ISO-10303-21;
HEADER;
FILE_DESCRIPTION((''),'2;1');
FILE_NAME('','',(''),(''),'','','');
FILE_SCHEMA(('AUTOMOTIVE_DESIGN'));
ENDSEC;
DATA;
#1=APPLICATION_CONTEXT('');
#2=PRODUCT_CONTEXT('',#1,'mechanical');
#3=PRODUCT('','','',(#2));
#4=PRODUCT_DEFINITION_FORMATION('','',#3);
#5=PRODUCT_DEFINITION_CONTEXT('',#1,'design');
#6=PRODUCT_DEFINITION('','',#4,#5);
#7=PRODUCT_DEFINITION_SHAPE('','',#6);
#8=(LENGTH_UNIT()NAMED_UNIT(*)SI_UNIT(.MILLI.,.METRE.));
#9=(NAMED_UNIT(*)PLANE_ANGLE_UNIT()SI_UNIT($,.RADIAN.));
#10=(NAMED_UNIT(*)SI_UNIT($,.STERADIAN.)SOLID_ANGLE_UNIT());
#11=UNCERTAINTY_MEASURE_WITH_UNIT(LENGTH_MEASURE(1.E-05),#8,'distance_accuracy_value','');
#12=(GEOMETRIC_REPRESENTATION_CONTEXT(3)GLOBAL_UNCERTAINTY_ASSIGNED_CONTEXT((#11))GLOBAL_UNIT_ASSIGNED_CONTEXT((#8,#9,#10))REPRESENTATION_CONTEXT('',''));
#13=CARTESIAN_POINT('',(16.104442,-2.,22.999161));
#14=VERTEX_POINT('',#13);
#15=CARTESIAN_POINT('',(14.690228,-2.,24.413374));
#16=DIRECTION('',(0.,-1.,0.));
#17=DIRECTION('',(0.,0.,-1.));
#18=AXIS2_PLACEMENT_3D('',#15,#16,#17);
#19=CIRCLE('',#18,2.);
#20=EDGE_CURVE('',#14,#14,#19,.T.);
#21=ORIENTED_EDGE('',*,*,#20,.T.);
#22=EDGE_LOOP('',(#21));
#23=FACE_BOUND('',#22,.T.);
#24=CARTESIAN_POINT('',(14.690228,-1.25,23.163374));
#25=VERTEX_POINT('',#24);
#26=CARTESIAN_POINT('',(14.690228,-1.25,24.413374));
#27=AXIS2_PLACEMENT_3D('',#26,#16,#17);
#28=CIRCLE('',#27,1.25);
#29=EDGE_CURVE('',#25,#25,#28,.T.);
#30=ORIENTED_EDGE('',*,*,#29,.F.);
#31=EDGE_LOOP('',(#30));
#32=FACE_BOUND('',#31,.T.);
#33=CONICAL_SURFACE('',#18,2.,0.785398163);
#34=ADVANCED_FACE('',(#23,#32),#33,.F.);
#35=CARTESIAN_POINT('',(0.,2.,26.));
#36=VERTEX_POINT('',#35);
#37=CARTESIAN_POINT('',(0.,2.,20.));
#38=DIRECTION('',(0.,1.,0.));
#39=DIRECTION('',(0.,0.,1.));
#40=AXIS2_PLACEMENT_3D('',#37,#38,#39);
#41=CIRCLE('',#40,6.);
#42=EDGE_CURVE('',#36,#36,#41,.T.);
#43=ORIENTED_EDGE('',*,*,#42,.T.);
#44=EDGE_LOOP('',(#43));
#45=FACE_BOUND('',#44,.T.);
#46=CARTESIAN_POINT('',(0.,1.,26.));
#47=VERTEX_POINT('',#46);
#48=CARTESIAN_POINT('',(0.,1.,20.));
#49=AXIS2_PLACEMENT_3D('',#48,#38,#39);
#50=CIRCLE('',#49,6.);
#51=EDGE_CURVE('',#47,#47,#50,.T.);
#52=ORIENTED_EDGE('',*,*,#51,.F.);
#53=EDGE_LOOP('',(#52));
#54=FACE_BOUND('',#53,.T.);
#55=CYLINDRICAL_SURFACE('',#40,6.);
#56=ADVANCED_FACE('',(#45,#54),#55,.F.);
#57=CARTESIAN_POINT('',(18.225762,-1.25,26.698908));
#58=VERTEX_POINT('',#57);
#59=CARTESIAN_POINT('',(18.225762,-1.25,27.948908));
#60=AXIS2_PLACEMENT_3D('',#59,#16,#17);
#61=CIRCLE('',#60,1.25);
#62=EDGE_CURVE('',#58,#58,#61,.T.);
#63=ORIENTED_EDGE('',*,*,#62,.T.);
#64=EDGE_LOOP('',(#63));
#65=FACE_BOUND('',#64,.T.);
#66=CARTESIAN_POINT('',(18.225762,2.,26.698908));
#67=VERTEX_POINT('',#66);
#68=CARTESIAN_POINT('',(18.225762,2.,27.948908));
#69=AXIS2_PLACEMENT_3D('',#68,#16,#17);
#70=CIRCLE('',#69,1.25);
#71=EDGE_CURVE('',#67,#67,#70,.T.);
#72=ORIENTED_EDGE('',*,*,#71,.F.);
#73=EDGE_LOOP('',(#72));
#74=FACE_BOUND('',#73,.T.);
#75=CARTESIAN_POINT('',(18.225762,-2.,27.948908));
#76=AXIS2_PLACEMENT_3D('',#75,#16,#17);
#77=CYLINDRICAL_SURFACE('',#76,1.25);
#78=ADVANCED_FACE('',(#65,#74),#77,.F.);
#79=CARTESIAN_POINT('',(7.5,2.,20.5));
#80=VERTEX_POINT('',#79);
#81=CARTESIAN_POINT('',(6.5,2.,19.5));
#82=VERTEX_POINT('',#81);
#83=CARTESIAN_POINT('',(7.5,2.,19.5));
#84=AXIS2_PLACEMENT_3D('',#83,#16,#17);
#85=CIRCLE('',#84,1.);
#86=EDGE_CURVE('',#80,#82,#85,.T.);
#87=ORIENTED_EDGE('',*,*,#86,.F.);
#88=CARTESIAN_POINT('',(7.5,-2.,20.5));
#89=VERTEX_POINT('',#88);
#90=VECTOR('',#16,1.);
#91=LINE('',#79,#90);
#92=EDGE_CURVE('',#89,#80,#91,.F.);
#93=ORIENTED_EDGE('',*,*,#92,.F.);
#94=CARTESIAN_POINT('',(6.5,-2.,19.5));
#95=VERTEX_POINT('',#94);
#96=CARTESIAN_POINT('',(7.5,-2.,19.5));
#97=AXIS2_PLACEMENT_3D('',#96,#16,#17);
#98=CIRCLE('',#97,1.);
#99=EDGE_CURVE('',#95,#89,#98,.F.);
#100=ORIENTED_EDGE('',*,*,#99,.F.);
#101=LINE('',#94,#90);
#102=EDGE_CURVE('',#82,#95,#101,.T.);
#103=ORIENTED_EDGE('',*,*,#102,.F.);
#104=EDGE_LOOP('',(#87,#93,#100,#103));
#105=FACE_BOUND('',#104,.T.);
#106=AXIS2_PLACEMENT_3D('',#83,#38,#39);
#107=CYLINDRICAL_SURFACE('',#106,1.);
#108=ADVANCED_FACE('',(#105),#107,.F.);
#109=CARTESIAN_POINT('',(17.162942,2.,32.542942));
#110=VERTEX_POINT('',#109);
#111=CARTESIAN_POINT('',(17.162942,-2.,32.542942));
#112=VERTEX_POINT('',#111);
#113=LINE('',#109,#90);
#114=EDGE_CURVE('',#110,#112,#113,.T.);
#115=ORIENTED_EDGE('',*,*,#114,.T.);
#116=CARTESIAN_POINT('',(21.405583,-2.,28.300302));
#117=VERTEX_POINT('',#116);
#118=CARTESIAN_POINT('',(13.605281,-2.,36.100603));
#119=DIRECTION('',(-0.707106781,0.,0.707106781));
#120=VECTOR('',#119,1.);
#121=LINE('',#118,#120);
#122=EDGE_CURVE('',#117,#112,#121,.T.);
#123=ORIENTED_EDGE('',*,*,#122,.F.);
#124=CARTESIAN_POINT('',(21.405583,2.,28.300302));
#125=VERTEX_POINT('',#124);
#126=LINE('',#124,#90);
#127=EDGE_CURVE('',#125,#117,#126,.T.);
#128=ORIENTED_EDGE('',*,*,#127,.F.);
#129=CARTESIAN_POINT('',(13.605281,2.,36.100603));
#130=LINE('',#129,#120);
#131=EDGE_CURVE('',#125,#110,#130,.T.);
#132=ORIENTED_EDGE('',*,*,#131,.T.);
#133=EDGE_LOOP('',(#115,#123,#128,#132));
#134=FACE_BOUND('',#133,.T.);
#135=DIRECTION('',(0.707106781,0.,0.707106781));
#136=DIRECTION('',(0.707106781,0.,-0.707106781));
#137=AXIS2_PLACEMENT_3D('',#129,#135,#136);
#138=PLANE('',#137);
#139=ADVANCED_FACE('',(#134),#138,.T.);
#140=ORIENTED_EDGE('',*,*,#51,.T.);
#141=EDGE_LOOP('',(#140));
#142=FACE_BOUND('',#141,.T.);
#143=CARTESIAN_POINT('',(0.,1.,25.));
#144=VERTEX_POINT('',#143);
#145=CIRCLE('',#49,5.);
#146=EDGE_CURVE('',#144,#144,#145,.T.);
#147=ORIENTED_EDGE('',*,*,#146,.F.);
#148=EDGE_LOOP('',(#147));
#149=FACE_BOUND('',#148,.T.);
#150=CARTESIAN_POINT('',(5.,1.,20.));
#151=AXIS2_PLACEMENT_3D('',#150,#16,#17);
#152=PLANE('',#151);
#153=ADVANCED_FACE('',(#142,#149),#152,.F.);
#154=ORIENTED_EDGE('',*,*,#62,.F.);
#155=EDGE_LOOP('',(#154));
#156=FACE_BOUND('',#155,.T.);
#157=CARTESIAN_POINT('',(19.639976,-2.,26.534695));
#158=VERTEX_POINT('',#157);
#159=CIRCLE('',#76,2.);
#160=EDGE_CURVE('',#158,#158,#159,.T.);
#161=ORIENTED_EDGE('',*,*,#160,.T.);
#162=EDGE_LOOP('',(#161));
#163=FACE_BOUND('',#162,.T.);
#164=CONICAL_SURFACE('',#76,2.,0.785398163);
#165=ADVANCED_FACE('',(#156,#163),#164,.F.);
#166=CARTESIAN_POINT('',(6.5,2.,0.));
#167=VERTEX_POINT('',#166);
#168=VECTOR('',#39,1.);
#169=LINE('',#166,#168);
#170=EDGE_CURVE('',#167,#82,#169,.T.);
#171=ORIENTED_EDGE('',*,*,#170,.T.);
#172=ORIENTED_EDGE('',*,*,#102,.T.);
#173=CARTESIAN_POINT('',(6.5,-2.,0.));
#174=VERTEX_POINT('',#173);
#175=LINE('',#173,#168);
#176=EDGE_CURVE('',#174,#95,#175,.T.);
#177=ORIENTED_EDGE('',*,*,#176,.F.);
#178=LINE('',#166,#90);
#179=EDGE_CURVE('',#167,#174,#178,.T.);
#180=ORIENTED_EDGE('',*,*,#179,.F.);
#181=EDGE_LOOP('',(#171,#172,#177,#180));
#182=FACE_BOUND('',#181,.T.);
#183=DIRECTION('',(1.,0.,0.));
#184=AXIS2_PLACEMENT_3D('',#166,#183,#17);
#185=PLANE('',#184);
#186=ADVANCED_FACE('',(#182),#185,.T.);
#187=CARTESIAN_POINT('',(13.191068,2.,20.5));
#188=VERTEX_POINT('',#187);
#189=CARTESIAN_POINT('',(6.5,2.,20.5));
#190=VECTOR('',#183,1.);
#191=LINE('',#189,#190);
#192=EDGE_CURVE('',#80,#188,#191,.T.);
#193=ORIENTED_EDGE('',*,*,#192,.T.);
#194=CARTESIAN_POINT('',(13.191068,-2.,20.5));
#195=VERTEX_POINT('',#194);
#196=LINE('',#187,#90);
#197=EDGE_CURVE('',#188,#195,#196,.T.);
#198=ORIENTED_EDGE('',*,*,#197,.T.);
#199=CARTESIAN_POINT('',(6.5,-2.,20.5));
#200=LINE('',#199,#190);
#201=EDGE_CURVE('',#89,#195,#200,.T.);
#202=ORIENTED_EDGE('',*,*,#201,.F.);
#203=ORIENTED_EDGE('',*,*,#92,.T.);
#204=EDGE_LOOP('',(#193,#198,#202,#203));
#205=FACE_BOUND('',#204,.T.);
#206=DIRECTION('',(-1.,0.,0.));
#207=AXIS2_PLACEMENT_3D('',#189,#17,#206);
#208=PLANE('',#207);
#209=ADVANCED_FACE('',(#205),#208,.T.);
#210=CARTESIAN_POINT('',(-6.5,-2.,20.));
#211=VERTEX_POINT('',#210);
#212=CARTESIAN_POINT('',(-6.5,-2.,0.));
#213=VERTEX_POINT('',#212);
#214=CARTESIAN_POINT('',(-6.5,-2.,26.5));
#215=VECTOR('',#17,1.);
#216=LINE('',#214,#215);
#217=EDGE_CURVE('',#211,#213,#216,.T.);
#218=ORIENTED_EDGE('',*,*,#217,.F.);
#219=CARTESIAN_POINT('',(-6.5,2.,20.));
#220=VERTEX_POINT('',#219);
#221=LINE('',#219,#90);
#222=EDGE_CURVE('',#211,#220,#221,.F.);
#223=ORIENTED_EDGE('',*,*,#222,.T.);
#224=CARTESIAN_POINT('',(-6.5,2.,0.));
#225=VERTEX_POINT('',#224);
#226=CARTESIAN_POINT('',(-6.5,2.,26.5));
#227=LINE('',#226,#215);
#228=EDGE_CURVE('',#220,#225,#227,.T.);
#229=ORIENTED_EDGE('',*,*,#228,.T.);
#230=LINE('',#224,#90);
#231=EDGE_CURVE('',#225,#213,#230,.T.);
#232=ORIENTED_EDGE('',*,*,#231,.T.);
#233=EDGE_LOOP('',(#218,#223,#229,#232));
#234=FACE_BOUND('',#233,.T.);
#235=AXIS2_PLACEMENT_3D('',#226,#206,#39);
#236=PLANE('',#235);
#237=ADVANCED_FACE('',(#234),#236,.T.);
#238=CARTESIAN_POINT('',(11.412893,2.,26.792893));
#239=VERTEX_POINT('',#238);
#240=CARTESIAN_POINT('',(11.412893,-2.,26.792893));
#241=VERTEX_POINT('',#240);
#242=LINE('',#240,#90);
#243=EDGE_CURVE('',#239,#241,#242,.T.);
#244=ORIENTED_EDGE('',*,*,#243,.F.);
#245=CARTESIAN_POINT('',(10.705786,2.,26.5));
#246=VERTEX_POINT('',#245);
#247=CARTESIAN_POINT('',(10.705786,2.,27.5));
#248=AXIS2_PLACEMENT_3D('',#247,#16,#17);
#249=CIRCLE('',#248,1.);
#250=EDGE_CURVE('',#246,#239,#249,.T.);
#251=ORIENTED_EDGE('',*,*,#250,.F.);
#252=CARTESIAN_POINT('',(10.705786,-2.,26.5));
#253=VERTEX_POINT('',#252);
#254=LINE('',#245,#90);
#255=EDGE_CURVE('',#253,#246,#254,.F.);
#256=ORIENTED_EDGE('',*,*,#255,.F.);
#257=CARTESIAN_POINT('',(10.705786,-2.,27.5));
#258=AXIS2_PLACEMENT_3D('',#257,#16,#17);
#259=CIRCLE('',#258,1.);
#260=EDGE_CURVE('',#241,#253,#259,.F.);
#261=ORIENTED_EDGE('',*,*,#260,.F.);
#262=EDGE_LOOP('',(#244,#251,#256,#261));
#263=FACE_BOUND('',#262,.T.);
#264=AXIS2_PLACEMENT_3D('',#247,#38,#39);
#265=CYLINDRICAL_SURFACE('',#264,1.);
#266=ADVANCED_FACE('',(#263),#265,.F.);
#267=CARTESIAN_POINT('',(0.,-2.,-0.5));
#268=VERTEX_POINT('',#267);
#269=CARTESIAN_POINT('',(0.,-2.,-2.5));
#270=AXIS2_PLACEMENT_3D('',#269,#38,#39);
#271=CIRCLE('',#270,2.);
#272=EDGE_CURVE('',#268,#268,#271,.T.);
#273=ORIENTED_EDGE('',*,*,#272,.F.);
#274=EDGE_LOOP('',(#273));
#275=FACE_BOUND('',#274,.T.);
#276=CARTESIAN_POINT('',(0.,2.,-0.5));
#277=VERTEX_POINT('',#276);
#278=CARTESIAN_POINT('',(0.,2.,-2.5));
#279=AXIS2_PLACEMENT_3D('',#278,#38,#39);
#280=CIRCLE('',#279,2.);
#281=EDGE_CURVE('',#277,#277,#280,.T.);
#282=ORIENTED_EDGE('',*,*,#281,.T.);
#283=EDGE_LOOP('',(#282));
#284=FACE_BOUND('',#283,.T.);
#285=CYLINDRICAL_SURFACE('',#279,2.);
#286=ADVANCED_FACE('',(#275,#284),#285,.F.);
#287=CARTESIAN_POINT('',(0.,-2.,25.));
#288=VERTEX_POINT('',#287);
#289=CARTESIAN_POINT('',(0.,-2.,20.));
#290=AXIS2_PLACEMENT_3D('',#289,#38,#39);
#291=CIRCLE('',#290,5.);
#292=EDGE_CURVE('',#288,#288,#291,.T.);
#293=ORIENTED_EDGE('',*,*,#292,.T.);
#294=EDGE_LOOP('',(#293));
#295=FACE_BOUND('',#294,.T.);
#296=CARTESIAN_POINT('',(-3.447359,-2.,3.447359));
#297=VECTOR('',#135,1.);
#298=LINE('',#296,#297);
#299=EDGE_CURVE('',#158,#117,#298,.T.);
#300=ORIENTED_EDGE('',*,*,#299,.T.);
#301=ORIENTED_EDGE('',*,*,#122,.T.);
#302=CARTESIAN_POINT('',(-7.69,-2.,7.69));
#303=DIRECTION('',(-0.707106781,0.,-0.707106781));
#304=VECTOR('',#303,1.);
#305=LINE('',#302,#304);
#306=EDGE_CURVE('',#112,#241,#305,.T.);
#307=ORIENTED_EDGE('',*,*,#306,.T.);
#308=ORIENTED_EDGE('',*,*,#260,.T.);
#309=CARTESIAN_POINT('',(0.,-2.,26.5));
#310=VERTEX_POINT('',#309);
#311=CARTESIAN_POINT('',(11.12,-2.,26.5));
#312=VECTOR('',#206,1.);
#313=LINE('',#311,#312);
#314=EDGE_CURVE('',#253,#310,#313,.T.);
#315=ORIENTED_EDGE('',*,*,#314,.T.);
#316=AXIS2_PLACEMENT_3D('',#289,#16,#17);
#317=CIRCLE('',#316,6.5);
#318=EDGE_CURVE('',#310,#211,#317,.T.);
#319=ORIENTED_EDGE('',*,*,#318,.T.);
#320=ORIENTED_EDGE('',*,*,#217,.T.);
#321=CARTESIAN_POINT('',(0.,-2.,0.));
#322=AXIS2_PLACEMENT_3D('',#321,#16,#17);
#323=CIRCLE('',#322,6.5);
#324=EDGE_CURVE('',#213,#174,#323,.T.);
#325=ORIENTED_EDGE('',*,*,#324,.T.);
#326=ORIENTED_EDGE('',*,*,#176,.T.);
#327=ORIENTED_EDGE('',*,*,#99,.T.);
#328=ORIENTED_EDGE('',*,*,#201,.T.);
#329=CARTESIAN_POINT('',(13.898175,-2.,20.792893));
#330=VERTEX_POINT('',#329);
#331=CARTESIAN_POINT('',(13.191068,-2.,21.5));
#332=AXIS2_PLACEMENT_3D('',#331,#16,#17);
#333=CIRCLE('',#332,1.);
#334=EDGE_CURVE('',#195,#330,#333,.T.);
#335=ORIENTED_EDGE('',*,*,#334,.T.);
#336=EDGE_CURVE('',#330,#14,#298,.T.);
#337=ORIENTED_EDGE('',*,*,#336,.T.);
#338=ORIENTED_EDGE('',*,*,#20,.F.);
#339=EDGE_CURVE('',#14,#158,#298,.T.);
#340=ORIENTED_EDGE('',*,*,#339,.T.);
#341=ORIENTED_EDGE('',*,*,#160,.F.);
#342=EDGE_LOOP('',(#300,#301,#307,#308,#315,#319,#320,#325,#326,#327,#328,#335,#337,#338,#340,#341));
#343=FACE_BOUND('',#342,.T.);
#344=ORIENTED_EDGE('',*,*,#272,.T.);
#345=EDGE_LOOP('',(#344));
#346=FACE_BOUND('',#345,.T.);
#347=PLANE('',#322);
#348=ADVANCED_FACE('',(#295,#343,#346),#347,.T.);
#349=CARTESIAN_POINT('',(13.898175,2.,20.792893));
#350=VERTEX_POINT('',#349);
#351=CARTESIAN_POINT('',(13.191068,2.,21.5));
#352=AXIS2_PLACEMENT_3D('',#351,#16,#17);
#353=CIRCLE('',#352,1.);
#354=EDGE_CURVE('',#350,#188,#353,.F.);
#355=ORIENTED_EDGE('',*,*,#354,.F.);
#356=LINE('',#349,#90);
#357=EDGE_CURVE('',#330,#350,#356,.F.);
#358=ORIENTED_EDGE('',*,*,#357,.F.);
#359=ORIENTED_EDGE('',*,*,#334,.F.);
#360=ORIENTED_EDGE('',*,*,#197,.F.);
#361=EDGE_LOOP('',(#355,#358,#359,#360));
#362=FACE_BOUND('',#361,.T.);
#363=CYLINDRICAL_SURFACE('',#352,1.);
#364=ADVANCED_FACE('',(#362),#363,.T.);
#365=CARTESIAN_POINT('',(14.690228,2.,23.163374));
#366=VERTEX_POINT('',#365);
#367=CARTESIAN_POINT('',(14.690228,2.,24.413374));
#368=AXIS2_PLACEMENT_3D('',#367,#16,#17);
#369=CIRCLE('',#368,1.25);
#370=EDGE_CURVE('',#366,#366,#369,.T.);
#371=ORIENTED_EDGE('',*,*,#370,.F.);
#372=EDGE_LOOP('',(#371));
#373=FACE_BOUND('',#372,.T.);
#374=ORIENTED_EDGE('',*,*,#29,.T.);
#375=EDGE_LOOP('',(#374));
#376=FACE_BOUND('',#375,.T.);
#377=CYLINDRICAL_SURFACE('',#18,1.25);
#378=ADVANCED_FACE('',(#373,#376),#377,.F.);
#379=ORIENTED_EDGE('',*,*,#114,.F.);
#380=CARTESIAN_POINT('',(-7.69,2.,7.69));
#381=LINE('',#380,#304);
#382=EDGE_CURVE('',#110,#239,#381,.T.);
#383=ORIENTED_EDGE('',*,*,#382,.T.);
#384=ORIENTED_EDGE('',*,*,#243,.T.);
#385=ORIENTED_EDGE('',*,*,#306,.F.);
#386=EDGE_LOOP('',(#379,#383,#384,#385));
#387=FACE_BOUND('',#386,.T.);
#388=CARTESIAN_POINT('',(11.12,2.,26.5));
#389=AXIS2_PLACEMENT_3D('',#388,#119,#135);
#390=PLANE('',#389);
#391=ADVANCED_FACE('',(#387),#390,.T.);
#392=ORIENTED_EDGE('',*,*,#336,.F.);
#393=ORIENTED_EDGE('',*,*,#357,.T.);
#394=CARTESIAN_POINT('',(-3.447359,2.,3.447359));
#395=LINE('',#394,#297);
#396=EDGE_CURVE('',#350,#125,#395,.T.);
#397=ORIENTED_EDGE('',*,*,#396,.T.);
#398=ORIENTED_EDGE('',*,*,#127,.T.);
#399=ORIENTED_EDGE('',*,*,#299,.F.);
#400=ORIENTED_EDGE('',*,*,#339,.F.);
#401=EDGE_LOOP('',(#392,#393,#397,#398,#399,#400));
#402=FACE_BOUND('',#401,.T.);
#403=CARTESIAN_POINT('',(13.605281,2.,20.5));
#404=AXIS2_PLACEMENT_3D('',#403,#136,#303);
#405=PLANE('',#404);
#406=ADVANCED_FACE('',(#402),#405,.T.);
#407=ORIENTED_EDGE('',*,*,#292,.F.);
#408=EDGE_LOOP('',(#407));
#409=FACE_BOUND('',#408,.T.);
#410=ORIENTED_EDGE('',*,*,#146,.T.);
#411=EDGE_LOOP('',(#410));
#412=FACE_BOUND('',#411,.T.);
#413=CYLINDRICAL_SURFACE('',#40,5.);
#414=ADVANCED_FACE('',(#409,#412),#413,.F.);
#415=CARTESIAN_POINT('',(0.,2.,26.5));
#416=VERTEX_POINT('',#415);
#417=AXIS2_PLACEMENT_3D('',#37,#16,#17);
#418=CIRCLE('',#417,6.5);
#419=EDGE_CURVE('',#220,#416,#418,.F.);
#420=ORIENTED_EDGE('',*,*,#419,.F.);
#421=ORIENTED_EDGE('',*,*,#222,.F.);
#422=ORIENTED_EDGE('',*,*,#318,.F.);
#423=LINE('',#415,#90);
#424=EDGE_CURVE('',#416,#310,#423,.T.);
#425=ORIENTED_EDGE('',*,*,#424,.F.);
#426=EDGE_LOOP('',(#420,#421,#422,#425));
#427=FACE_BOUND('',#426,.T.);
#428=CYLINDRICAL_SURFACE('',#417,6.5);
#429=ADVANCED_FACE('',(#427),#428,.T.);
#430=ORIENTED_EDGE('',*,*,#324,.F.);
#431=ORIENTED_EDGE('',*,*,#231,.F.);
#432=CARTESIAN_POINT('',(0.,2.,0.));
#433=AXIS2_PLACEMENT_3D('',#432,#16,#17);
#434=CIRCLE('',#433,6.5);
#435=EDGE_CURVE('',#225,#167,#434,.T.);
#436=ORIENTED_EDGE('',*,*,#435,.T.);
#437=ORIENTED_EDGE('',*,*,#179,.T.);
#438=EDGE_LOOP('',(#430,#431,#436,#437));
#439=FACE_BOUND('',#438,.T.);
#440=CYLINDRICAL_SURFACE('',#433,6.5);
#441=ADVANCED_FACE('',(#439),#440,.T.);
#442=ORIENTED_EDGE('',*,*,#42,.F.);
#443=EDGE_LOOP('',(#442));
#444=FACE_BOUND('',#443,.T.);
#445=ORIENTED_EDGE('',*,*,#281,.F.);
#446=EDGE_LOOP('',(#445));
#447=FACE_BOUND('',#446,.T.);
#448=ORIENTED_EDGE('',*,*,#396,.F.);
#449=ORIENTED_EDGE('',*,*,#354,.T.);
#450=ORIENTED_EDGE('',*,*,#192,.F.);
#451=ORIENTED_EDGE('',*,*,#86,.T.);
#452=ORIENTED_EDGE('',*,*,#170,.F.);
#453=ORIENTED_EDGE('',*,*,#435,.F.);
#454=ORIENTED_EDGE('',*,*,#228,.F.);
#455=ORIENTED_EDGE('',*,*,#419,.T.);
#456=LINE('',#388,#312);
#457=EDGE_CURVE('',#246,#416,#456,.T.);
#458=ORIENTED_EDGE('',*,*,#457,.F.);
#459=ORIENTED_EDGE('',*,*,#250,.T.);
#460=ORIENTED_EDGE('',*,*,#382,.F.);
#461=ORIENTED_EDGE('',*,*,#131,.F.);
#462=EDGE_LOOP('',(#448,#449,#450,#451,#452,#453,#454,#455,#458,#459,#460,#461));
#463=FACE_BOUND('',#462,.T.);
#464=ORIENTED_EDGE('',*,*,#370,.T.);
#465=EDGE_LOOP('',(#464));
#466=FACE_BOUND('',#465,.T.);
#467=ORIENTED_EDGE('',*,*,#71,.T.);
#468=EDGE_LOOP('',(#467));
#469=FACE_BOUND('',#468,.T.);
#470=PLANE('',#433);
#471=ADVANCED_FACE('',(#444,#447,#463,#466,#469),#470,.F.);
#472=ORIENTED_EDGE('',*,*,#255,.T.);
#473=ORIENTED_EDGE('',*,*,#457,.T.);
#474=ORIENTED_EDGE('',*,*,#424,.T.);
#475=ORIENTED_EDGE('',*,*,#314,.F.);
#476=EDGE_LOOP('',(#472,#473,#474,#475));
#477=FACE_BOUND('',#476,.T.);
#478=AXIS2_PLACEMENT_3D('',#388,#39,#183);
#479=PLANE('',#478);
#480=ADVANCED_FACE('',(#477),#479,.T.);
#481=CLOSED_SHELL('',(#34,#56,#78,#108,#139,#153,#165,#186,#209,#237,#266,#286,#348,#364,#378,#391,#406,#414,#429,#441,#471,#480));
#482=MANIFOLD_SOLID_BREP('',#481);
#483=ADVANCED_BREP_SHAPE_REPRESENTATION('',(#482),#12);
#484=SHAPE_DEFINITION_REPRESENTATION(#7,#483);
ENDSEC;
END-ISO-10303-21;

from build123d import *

# Parameters (mm, degrees)
BOSS_EXTRUDE1_DEPTH           = 4
DRAFT1_ANGLE                  = 45.000000004
DRAFT2_ANGLE                  = 45.000000005
F_4_0_4_DIAMETER_HOLE1_D      = 4
CSK_FOR_M3_SFHCS1_D           = 2.5
CSK_FOR_M3_SFHCS1_CSINK_D     = 4
CSK_FOR_M3_SFHCS1_CSINK_ANGLE = 90
FILLET1_R                     = 1
FILLET2_R                     = 6.5
HOLE2_D                       = 10
HOLE2_CBORE_D                 = 12
HOLE2_CBORE_DEPTH             = 1


with BuildPart() as part:
    # Sketch1 → Boss-Extrude1 (new body)
    with BuildSketch(Plane.XZ.offset(2)):
        with BuildLine():
            Line((11.12, 26.5), (-6.5, 26.5))
            Line((-6.5, 26.5), (-6.5, 0))
            ThreePointArc((-6.5, 0), (3e-09, -6.500000003), (6.500000005, 0))
            Line((6.500000005, 0), (6.500000005, 20.5))
            Line((6.500000005, 20.5), (13.605281374, 20.5))
            Line((13.605281374, 20.5), (13.605281374, 36.100603473))
            Line((13.605281374, 36.100603473), (11.12, 38.585884847))
            Line((11.12, 38.585884847), (11.12, 26.5))
        make_face()
    extrude(amount=-BOSS_EXTRUDE1_DEPTH)

    # Draft1
    draft1_faces = [part.faces().sort_by_distance(p)[0] for p in [
        (13.605281374, 0, 28.300301737),
    ]]
    draft(draft1_faces, Plane(origin=(6.500000005, 2, 20.5), x_dir=(-1, 0, 0), z_dir=(0, 0, -1)), DRAFT1_ANGLE)

    # Draft2
    draft2_faces = [part.faces().sort_by_distance(p)[0] for p in [
        (11.12, 0, 32.542942424),
    ]]
    draft(draft2_faces, Plane(origin=(11.12, 2, 26.5), x_dir=(1, 0, 0), z_dir=(0, 0, 1)), DRAFT2_ANGLE)

    # Ø4.0 (4) Diameter Hole1 (through all)
    with Locations(Plane(origin=(0, 2, 0), x_dir=(1, 0, 0), z_dir=(0, 1, 0))):
        with Locations((0, 2.5)):
            Hole(F_4_0_4_DIAMETER_HOLE1_D / 2)

    # CSK for M3 SFHCS1 (through all)
    with Locations(Plane(origin=(0, -2, 0), x_dir=(-1, 0, 0), z_dir=(0, -1, 0))):
        with Locations((-14.690228422, -24.413374173), (-18.225762328, -27.948908079)):
            CounterSinkHole(CSK_FOR_M3_SFHCS1_D / 2, CSK_FOR_M3_SFHCS1_CSINK_D / 2, counter_sink_angle=CSK_FOR_M3_SFHCS1_CSINK_ANGLE)

    # Fillet1
    fillet1_edges = [part.edges().sort_by_distance(p)[0] for p in [
        (13.605281374, 0, 20.5),
        (6.500000005, 0, 20.5),
        (11.12, 0, 26.5),
    ]]
    fillet(fillet1_edges, radius=FILLET1_R)

    # Fillet2
    fillet2_edges = [part.edges().sort_by_distance(p)[0] for p in [
        (-6.5, 0, 26.5),
    ]]
    fillet(fillet2_edges, radius=FILLET2_R)

    # Hole2 (through all)
    with Locations(Plane(origin=(0, 2, 20), x_dir=(0, 0, 1), z_dir=(0, 1, 0))):
        with Locations((0, 0)):
            CounterBoreHole(HOLE2_D / 2, HOLE2_CBORE_D / 2, HOLE2_CBORE_DEPTH)


solid = part.part
